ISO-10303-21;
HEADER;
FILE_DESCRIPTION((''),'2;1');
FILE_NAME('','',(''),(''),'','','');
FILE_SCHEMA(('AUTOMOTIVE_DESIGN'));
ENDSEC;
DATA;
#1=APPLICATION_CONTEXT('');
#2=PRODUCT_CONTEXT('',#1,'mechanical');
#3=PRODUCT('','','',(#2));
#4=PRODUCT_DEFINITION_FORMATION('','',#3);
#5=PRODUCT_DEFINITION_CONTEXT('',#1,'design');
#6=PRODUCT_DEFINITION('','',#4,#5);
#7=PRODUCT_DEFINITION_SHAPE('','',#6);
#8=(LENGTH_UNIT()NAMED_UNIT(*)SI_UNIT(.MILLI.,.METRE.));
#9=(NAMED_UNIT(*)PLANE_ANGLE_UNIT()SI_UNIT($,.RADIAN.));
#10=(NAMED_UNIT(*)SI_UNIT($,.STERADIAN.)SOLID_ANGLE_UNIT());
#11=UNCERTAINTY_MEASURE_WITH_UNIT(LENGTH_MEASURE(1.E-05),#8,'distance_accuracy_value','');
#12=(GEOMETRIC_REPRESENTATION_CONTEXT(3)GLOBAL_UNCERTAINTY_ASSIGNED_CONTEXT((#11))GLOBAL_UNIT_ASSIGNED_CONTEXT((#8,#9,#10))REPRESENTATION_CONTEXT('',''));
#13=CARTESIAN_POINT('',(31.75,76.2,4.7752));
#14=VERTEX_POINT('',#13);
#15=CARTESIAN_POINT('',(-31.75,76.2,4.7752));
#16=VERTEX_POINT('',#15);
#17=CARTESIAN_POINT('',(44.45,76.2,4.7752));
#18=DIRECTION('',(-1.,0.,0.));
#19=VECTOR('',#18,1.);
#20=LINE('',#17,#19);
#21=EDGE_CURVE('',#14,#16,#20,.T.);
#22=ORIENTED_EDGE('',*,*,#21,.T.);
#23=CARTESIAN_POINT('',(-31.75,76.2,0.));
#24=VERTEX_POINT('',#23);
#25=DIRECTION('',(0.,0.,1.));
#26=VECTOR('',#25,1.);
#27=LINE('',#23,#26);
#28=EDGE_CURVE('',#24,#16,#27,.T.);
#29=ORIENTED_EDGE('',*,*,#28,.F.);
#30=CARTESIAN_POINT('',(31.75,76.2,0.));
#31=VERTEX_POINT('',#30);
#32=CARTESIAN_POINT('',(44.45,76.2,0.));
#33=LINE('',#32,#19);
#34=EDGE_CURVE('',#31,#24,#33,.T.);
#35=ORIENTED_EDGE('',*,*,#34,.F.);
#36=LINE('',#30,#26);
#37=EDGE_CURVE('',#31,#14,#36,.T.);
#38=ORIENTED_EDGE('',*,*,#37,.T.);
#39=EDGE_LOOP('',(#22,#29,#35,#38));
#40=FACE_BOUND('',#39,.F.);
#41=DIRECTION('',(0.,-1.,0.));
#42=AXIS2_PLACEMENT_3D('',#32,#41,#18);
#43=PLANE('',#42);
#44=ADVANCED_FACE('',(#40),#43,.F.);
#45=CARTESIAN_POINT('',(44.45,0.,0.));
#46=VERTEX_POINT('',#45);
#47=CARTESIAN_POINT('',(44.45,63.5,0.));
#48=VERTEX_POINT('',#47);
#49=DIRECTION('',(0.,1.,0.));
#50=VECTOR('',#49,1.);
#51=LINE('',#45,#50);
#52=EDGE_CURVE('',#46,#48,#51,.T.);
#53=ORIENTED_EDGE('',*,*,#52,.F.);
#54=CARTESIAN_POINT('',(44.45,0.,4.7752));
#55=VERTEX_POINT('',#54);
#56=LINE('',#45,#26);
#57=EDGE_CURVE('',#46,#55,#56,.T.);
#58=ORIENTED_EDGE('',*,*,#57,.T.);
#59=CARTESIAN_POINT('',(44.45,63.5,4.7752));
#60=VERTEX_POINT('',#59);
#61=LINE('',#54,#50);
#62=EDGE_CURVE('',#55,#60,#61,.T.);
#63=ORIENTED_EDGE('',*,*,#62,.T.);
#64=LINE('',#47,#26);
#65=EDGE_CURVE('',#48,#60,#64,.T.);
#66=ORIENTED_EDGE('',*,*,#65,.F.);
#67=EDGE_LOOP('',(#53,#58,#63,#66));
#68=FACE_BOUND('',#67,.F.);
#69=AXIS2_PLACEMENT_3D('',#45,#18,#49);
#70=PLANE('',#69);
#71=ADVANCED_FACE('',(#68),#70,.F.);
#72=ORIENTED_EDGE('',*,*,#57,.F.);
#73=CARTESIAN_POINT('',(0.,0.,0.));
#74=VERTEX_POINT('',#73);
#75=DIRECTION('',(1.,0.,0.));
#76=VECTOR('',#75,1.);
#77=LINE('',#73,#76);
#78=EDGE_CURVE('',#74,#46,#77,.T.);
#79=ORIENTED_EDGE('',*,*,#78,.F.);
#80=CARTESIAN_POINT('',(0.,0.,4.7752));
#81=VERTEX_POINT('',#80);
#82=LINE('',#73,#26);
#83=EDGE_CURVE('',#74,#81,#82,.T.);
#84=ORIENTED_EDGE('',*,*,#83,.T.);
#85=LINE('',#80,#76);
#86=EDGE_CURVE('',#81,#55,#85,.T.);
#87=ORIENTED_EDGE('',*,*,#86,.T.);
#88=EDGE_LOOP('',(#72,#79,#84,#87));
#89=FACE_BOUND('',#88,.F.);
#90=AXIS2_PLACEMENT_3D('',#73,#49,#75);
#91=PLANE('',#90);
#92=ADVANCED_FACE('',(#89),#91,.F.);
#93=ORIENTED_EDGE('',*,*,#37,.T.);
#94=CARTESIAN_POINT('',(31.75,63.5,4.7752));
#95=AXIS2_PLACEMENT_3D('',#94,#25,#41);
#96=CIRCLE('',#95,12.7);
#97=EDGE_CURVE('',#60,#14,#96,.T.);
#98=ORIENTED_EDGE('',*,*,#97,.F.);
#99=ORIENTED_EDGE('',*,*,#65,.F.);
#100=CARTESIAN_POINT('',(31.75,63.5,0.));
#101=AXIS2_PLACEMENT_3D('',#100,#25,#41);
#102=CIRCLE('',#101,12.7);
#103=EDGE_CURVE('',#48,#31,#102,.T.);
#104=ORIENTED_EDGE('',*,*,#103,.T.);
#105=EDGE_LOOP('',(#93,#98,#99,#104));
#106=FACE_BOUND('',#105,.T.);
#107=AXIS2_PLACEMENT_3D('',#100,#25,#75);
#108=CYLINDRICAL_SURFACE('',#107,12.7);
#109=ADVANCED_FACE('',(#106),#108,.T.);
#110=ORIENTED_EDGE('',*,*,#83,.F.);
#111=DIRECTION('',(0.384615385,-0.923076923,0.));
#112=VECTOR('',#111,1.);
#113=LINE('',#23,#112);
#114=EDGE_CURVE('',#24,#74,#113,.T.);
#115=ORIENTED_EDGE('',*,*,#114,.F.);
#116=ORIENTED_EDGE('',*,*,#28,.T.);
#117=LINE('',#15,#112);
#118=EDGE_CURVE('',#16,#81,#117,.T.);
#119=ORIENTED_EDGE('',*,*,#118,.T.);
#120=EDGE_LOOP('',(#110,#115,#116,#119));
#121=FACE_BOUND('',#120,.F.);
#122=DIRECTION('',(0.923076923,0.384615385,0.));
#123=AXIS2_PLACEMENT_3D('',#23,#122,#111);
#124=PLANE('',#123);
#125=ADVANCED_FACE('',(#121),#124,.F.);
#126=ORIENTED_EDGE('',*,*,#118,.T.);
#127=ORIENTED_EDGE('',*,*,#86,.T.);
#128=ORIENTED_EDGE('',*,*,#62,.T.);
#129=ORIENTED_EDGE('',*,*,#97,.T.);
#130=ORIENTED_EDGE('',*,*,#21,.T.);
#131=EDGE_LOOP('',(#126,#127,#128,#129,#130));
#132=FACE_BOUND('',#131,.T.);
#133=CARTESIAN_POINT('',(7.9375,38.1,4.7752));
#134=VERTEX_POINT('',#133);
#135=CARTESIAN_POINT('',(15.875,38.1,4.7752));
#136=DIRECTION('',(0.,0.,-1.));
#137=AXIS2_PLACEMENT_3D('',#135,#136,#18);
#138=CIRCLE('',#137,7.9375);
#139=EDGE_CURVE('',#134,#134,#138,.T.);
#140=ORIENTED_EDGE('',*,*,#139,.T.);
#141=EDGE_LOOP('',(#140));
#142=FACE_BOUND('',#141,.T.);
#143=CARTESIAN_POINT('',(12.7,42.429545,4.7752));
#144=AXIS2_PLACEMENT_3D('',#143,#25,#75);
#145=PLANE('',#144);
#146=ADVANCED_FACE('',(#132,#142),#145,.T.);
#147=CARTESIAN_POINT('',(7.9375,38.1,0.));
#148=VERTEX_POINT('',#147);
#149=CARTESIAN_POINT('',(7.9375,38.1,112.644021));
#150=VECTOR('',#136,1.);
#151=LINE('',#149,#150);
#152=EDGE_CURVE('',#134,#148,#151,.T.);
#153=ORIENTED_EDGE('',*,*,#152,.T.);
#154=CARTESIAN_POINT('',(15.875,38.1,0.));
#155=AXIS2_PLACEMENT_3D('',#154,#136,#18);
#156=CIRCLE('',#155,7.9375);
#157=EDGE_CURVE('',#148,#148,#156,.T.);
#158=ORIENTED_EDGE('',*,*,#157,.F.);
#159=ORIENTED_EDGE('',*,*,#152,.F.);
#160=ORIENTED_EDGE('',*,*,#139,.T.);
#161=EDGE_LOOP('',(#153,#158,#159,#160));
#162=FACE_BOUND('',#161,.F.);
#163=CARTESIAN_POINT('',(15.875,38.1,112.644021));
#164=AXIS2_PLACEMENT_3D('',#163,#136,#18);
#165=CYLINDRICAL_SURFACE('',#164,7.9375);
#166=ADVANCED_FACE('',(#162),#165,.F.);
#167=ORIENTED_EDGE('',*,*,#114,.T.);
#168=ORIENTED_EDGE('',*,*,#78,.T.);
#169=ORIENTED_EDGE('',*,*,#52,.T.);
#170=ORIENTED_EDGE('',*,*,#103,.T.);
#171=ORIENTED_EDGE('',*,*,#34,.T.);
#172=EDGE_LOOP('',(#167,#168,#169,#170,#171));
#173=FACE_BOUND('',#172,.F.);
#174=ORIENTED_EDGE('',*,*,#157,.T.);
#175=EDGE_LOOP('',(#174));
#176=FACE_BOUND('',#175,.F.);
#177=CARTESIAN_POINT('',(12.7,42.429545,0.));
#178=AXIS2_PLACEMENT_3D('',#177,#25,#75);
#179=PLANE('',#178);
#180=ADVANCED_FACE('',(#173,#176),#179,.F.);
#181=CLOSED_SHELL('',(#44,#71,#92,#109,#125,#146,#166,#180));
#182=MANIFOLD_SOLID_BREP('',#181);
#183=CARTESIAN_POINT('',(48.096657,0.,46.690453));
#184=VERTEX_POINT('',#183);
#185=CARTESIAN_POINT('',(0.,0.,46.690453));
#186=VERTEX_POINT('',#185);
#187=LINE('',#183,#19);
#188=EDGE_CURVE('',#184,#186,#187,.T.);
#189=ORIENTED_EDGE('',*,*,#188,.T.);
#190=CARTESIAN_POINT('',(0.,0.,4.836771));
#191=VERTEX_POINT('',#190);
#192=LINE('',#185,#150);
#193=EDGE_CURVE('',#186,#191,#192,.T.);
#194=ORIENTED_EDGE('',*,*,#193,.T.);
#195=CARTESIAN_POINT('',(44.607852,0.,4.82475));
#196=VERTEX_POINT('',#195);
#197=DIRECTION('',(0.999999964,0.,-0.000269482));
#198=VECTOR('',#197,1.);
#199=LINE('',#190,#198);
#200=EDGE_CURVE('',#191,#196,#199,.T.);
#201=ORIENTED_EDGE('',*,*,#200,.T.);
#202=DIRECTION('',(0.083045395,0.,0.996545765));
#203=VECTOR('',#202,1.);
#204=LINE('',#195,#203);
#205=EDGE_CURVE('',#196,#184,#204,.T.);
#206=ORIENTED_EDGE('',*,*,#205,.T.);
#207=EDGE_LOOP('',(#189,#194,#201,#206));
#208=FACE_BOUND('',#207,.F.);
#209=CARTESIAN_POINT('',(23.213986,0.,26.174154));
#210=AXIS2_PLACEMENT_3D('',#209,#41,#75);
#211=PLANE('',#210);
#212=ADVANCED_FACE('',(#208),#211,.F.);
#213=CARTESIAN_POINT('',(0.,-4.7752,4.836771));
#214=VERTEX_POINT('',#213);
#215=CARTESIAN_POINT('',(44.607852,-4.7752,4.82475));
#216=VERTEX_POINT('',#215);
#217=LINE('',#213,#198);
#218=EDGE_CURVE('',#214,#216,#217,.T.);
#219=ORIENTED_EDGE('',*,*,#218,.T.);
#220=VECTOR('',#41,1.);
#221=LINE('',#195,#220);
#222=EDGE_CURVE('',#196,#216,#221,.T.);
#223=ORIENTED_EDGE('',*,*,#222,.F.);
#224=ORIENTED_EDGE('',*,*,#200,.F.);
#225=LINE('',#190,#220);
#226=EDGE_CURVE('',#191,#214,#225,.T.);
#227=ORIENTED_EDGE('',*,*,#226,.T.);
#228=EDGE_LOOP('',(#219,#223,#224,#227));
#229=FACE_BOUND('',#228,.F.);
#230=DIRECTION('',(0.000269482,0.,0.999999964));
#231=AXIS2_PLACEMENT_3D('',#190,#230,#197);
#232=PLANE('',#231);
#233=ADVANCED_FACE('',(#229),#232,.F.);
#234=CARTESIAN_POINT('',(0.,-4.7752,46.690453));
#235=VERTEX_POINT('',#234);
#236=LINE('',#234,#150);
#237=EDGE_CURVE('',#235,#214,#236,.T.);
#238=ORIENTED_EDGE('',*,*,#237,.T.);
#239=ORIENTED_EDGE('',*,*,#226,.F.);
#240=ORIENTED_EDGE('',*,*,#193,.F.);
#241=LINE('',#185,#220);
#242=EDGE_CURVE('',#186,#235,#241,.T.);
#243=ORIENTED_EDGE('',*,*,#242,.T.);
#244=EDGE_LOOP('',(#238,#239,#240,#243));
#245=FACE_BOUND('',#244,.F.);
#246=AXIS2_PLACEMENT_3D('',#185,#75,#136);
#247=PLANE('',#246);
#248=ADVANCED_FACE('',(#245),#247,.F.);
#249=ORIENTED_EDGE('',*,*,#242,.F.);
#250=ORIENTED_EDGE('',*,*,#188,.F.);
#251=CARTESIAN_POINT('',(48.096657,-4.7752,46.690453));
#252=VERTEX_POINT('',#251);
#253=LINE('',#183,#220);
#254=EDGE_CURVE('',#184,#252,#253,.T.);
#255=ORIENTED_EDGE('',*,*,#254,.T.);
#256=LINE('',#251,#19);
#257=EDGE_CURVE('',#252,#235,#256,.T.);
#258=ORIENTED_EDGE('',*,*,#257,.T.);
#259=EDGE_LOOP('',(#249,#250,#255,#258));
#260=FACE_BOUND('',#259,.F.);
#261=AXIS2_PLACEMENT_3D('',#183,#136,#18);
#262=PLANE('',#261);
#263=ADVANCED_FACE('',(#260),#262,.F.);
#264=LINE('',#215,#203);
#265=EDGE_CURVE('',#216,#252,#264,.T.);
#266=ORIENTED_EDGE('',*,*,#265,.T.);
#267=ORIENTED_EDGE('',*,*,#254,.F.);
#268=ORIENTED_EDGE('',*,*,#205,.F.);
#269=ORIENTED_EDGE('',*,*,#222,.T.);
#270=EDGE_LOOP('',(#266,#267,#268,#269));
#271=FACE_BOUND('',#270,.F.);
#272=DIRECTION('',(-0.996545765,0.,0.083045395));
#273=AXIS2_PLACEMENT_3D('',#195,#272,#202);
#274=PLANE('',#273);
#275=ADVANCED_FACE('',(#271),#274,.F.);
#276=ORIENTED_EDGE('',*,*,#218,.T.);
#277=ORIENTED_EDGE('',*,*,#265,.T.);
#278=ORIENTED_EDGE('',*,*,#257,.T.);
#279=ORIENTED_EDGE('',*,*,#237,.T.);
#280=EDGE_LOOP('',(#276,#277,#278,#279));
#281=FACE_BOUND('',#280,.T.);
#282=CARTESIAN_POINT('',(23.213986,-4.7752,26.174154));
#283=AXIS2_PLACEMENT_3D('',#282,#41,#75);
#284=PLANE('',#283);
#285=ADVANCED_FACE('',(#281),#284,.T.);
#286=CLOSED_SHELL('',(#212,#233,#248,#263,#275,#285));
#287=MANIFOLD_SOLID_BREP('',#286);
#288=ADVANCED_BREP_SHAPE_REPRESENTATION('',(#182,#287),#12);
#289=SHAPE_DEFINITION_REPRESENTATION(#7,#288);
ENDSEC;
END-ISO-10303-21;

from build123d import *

# Parameters (mm, degrees)
F1_DEPTH = 4.7752
F2_R     = 12.7
F4_D     = 15.875
F6_DEPTH = 4.7752


with BuildPart() as f1:
    # F0 (on Top) → F1 (new body)
    with BuildSketch(Plane.XY):
        Polygon((-31.75, 76.2), (0, 0), (44.45, 0), (44.45, 76.2), align=None)
    extrude(amount=F1_DEPTH)

    # F2
    f2_edges = [f1.edges().sort_by_distance(p)[0] for p in [
        (44.45, 76.2, 2.3876),
    ]]
    fillet(f2_edges, radius=F2_R)

    # F4 (through all)
    with Locations(Plane.XY.offset(4.7752)):
        with Locations((15.875, 38.1)):
            Hole(F4_D / 2)


with BuildPart() as f6:
    # F5 (on Front) → F6 (new body)
    with BuildSketch(Plane.XZ):
        Polygon((0, 46.690453), (0, 4.836771), (44.607852, 4.82475), (48.096657, 46.690453), align=None)
    extrude(amount=F6_DEPTH)


solid = Compound([f1.part, f6.part])
